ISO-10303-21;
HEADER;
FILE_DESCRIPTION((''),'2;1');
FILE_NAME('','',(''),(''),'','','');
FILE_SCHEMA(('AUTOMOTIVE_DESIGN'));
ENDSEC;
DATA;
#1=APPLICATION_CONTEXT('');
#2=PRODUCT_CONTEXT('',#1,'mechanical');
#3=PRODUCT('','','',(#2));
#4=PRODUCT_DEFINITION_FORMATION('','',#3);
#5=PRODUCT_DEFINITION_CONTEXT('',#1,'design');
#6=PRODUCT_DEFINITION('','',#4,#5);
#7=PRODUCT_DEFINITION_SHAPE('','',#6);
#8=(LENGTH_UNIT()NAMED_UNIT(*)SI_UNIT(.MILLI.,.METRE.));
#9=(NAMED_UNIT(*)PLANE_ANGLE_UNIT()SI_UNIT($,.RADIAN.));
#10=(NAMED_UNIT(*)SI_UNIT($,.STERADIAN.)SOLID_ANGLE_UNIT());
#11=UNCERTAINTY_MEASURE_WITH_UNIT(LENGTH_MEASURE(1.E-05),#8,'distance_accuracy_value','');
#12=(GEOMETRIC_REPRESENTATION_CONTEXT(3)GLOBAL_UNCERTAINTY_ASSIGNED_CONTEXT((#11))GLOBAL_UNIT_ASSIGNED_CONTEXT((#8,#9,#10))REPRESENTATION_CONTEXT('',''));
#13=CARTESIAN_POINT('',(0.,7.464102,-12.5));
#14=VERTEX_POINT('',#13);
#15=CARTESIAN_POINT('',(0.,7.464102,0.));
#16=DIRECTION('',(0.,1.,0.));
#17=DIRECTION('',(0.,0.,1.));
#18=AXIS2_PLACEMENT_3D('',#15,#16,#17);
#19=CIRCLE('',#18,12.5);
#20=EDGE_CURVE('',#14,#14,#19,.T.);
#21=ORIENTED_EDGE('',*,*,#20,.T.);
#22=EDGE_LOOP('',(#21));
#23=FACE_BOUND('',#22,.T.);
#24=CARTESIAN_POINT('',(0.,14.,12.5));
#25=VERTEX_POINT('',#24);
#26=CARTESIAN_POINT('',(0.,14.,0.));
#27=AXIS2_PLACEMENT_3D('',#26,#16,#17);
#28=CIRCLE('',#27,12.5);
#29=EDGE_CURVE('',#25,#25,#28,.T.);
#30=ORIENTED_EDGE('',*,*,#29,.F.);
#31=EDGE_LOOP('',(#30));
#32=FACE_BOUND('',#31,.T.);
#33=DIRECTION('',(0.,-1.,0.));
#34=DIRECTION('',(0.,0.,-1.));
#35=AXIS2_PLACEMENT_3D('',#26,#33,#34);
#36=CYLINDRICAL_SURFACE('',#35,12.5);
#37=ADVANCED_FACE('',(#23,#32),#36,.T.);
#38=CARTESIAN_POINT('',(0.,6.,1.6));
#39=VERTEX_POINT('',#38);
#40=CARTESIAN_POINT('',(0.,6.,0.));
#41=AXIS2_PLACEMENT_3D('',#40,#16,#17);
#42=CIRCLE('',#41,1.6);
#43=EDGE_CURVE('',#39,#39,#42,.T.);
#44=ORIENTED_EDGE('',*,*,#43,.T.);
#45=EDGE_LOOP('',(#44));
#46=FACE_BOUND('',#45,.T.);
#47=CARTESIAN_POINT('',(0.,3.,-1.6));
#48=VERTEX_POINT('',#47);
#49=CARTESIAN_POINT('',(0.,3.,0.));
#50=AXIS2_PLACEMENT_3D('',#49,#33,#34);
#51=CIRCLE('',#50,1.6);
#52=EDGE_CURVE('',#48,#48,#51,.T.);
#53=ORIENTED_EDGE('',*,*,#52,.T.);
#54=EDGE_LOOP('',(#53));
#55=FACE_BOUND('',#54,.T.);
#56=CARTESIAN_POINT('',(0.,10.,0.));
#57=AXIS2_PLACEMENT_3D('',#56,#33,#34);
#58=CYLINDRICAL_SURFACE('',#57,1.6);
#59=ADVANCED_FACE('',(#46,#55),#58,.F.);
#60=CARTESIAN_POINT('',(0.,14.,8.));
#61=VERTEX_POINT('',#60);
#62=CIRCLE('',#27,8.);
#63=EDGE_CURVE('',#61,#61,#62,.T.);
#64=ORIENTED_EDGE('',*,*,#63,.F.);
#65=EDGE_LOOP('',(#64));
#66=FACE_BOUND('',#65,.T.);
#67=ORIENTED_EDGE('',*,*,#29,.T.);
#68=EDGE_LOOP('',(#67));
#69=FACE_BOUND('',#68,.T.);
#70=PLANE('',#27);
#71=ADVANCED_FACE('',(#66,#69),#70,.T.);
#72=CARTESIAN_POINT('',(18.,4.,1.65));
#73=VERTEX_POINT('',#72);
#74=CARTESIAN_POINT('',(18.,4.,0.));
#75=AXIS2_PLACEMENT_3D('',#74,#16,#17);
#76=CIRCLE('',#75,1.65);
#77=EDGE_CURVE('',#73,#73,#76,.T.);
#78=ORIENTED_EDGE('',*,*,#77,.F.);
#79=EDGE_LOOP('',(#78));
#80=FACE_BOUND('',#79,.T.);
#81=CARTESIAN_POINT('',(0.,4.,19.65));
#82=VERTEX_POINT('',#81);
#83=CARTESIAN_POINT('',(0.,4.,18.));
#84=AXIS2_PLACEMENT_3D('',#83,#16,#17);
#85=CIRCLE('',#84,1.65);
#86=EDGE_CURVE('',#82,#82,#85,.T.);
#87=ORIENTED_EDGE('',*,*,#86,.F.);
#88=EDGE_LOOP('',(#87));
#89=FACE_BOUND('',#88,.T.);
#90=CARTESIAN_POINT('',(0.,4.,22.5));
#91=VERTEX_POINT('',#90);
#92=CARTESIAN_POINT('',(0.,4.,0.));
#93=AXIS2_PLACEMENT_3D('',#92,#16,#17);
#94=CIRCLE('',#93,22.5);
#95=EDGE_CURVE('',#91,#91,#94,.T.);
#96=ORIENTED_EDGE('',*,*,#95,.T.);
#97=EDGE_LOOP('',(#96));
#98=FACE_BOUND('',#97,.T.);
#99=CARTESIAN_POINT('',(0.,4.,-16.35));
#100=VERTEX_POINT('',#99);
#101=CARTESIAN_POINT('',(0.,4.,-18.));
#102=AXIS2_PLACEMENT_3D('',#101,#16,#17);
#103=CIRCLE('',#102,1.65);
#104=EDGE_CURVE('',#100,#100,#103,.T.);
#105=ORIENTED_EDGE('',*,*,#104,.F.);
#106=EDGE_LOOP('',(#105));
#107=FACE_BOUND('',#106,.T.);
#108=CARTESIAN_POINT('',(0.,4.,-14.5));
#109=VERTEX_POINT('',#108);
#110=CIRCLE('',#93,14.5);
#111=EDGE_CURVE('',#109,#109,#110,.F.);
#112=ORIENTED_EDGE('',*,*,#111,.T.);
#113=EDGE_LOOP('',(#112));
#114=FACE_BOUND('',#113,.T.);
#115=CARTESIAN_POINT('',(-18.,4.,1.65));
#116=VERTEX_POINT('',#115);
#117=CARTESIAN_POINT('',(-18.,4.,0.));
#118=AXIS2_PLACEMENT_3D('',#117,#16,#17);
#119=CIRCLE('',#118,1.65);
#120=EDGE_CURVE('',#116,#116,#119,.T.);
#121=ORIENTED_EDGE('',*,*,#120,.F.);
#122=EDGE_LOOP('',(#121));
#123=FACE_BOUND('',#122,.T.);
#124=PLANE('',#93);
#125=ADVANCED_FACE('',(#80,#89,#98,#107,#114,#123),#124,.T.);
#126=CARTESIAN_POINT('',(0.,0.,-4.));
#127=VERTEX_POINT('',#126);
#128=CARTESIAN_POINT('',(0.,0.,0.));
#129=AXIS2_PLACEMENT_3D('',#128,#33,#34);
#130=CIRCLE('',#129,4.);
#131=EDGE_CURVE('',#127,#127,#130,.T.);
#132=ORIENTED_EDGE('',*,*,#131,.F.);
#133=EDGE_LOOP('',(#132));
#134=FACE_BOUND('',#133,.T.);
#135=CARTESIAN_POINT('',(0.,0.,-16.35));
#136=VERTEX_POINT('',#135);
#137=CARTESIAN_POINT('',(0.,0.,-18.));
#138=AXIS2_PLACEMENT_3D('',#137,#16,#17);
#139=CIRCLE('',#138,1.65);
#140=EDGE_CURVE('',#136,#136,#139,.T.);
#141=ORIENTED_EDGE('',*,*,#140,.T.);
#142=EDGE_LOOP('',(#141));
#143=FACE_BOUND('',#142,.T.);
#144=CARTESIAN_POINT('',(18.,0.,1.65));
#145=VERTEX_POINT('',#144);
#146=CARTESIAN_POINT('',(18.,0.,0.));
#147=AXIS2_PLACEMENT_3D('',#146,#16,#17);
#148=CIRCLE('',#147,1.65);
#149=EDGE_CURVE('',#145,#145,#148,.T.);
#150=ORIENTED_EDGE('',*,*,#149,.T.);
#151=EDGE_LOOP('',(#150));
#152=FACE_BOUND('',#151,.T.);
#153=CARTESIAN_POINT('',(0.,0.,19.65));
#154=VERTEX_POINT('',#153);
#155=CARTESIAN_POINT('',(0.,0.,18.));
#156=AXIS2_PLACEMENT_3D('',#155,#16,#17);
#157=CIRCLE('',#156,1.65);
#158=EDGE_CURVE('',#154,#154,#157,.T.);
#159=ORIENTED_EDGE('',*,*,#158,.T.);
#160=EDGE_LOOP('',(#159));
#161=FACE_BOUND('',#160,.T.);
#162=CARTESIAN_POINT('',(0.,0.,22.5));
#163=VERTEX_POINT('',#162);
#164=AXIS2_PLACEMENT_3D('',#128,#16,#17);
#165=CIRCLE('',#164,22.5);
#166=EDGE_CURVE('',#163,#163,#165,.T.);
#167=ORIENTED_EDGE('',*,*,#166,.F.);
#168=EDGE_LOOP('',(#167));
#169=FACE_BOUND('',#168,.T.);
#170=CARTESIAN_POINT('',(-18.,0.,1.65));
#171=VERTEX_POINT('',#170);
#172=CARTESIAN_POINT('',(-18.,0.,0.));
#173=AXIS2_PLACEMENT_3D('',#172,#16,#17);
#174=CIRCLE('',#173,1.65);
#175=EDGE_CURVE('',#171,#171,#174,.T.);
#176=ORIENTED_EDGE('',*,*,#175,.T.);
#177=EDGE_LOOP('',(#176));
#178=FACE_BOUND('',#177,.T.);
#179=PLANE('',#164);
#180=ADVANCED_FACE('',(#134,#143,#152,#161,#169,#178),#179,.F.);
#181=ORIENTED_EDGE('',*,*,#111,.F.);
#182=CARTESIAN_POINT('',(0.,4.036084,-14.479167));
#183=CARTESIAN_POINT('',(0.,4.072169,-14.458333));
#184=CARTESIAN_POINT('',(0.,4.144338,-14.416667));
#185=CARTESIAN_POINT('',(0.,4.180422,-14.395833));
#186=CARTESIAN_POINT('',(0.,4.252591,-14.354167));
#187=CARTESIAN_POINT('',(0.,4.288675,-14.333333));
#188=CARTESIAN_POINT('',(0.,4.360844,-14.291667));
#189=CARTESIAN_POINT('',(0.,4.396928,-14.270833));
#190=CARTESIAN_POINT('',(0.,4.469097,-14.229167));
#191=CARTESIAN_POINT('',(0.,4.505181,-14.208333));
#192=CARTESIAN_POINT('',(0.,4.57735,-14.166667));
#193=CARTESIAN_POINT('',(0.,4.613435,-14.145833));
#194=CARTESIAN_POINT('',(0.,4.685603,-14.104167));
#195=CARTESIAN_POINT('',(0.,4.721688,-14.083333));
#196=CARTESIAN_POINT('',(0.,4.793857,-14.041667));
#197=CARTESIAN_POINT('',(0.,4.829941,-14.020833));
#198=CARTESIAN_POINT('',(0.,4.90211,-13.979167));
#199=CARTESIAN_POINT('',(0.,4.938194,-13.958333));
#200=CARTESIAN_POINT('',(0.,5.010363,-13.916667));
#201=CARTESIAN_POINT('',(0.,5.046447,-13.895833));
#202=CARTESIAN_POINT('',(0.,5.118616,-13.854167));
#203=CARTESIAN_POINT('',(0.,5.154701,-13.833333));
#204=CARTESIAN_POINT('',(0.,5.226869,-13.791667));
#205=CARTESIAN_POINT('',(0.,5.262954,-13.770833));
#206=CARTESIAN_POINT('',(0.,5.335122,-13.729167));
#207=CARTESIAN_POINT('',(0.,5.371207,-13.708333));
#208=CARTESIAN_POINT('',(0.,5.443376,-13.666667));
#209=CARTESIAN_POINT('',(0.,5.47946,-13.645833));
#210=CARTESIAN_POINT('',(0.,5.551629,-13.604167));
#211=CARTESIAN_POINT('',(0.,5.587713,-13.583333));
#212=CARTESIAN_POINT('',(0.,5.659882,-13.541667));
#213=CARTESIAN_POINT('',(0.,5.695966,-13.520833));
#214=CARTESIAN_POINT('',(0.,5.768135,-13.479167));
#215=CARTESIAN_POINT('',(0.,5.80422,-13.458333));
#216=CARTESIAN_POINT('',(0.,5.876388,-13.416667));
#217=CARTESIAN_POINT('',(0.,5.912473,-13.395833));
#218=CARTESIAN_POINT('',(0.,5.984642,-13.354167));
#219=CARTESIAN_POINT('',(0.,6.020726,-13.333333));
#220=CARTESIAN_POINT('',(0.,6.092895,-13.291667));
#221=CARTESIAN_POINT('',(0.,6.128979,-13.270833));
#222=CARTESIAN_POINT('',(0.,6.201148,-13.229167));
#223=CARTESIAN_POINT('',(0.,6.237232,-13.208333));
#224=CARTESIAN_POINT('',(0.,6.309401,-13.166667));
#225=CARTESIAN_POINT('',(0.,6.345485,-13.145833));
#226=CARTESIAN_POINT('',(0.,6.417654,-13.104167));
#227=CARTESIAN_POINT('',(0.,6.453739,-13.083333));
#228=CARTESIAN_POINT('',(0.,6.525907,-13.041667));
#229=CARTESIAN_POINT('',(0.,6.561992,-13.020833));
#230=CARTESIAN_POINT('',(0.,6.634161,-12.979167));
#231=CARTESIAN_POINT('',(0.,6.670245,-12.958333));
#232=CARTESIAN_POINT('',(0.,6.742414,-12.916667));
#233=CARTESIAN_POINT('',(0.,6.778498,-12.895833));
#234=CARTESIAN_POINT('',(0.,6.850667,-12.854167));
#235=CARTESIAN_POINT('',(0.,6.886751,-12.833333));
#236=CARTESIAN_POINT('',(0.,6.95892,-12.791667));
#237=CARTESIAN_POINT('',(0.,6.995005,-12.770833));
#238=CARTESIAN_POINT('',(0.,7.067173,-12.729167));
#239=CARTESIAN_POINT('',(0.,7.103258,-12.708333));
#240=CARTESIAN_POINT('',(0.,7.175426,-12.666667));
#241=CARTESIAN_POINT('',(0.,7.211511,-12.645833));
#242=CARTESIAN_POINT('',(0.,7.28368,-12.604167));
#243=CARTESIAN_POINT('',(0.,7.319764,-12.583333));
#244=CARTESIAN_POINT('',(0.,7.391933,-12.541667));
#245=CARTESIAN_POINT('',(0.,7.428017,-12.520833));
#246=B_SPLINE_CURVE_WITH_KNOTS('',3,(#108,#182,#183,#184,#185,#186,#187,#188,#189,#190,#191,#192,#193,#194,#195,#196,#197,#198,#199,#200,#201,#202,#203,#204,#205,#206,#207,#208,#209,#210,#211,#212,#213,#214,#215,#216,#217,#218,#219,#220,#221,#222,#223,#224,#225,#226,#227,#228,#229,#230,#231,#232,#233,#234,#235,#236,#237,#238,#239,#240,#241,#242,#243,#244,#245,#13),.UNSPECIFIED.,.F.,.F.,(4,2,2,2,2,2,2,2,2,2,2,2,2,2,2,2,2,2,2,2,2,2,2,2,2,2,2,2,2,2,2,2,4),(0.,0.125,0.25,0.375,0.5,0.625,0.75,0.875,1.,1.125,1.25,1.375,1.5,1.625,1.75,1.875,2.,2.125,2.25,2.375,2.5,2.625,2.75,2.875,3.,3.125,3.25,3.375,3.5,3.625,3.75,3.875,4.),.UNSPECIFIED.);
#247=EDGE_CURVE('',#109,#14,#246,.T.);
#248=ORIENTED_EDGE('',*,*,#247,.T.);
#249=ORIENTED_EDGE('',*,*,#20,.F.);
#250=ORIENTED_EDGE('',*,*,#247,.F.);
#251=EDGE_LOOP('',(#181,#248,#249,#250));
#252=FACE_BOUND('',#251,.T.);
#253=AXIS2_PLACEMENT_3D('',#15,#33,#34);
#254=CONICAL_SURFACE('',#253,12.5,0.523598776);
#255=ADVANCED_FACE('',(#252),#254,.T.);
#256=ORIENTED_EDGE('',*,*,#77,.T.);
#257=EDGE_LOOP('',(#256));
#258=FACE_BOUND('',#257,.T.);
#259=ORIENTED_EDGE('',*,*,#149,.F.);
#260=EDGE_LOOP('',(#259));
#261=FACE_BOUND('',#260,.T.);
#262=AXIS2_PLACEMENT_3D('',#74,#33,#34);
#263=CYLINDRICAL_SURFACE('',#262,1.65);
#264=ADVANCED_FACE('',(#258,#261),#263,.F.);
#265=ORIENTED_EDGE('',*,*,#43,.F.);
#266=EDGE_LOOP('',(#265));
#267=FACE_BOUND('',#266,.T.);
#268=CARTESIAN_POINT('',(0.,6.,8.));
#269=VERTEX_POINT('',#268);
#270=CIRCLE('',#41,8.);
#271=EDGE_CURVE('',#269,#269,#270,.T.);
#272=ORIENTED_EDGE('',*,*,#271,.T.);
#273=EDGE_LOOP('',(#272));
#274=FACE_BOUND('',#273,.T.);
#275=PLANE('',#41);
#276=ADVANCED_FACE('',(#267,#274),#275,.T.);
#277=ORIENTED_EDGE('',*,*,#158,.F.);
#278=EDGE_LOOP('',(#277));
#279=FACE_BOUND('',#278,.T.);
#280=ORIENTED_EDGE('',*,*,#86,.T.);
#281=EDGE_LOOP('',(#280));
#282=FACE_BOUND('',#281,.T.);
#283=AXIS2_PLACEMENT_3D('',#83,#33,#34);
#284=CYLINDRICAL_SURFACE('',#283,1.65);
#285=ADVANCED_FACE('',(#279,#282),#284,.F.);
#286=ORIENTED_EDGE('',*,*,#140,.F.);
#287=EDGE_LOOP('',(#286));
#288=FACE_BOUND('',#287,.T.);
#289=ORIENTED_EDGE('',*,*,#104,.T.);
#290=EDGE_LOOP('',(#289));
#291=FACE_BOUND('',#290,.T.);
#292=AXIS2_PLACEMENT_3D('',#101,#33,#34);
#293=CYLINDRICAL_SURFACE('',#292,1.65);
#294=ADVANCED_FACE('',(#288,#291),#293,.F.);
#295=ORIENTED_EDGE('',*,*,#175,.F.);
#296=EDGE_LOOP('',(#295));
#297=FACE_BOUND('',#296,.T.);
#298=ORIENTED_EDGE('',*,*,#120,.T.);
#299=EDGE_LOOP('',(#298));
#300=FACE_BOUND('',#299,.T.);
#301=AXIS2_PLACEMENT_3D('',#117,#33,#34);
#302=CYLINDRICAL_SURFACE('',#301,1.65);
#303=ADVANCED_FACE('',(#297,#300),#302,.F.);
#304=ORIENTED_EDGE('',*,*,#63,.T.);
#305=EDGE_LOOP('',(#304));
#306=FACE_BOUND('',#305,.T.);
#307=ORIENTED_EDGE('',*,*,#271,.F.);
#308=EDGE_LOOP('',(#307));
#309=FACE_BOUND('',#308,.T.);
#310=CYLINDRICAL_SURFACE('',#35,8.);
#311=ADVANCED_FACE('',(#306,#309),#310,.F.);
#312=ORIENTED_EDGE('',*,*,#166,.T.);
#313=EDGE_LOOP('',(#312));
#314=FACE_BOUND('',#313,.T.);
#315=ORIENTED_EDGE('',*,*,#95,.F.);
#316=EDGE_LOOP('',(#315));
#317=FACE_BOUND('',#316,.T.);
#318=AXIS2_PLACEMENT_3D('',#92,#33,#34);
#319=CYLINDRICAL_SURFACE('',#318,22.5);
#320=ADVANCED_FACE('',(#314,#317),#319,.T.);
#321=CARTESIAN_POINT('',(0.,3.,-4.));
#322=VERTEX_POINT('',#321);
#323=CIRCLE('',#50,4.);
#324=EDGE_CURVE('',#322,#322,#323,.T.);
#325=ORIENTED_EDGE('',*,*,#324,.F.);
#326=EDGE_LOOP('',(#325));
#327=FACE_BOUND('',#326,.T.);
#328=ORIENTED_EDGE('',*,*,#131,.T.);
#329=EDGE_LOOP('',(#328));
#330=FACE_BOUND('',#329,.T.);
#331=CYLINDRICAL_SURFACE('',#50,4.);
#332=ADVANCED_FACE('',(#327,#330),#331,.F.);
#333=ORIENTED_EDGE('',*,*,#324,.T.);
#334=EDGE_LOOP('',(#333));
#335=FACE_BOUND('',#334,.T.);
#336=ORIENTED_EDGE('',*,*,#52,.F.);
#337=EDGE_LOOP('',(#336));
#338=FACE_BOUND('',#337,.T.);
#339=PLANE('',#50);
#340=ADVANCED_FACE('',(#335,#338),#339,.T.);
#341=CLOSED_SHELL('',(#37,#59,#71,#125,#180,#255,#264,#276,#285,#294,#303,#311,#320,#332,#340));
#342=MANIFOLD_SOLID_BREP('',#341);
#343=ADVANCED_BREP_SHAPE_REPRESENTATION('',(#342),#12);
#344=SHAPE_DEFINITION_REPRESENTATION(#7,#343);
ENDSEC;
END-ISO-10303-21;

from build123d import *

# Parameters (mm, degrees)
SKETCH_1_R          = 22.5
SKETCH_1_R_2        = 1.65
EXTRUDE_1_DEPTH     = 4
SKETCH_2_R          = 12.5
SKETCH_2_R_2        = 8
EXTRUDE_2_DEPTH     = 10
SKETCH_3_R          = 4
CUT_EXTRUDE_1_DEPTH = 3
SKETCH_4_R          = 8
EXTRUDE_3_DEPTH     = 2
SKETCH_3_3_R        = 1.6
CUT_EXTRUDE_2_DEPTH = 10
CHAMFER_1_SIZE      = 2
CHAMFER_1_SIZE2     = 3.464101615


with BuildPart() as part:
    # 草图1 → 凸台-拉伸1 (new body)
    with BuildSketch(Plane(origin=(0, 0, 0), x_dir=(1, 0, 0), z_dir=(0, 1, 0))):
        Circle(SKETCH_1_R)
        with Locations((-18, 0)):
            Circle(SKETCH_1_R_2, mode=Mode.SUBTRACT)
        with Locations((18, 0)):
            Circle(SKETCH_1_R_2, mode=Mode.SUBTRACT)
        with Locations((0, 18)):
            Circle(SKETCH_1_R_2, mode=Mode.SUBTRACT)
        with Locations((0, -18)):
            Circle(SKETCH_1_R_2, mode=Mode.SUBTRACT)
    extrude(amount=EXTRUDE_1_DEPTH)

    # 草图2 → 凸台-拉伸2 (add)
    with BuildSketch(Plane(origin=(0, 4, 0), x_dir=(1, 0, 0), z_dir=(0, 1, 0))):
        Circle(SKETCH_2_R)
        Circle(SKETCH_2_R_2, mode=Mode.SUBTRACT)
    extrude(amount=EXTRUDE_2_DEPTH)

    # 草图3 → 切除-拉伸1 (cut)
    with BuildSketch(Plane.XZ):
        Circle(SKETCH_3_R)
    extrude(amount=-CUT_EXTRUDE_1_DEPTH, mode=Mode.SUBTRACT)

    # 草图4 → 凸台-拉伸3 (add)
    with BuildSketch(Plane(origin=(0, 4, 0), x_dir=(1, 0, 0), z_dir=(0, 1, 0))):
        Circle(SKETCH_4_R)
    extrude(amount=EXTRUDE_3_DEPTH)

    # 草图3<3> → 切除-拉伸2 (cut)
    with BuildSketch(Plane.XZ):
        Circle(SKETCH_3_3_R)
    extrude(amount=-CUT_EXTRUDE_2_DEPTH, mode=Mode.SUBTRACT)

    # 倒角1
    chamfer_1_edges = [part.edges().sort_by_distance(p)[0] for p in [
        (-12.5, 4, 0),
    ]]
    chamfer_1_side = [part.faces().sort_by_distance(p)[0] for p in [
        (-21.863603897, 4, 0),
    ]]
    chamfer(chamfer_1_edges, length=CHAMFER_1_SIZE, length2=CHAMFER_1_SIZE2, reference=chamfer_1_side[0])


solid = part.part
